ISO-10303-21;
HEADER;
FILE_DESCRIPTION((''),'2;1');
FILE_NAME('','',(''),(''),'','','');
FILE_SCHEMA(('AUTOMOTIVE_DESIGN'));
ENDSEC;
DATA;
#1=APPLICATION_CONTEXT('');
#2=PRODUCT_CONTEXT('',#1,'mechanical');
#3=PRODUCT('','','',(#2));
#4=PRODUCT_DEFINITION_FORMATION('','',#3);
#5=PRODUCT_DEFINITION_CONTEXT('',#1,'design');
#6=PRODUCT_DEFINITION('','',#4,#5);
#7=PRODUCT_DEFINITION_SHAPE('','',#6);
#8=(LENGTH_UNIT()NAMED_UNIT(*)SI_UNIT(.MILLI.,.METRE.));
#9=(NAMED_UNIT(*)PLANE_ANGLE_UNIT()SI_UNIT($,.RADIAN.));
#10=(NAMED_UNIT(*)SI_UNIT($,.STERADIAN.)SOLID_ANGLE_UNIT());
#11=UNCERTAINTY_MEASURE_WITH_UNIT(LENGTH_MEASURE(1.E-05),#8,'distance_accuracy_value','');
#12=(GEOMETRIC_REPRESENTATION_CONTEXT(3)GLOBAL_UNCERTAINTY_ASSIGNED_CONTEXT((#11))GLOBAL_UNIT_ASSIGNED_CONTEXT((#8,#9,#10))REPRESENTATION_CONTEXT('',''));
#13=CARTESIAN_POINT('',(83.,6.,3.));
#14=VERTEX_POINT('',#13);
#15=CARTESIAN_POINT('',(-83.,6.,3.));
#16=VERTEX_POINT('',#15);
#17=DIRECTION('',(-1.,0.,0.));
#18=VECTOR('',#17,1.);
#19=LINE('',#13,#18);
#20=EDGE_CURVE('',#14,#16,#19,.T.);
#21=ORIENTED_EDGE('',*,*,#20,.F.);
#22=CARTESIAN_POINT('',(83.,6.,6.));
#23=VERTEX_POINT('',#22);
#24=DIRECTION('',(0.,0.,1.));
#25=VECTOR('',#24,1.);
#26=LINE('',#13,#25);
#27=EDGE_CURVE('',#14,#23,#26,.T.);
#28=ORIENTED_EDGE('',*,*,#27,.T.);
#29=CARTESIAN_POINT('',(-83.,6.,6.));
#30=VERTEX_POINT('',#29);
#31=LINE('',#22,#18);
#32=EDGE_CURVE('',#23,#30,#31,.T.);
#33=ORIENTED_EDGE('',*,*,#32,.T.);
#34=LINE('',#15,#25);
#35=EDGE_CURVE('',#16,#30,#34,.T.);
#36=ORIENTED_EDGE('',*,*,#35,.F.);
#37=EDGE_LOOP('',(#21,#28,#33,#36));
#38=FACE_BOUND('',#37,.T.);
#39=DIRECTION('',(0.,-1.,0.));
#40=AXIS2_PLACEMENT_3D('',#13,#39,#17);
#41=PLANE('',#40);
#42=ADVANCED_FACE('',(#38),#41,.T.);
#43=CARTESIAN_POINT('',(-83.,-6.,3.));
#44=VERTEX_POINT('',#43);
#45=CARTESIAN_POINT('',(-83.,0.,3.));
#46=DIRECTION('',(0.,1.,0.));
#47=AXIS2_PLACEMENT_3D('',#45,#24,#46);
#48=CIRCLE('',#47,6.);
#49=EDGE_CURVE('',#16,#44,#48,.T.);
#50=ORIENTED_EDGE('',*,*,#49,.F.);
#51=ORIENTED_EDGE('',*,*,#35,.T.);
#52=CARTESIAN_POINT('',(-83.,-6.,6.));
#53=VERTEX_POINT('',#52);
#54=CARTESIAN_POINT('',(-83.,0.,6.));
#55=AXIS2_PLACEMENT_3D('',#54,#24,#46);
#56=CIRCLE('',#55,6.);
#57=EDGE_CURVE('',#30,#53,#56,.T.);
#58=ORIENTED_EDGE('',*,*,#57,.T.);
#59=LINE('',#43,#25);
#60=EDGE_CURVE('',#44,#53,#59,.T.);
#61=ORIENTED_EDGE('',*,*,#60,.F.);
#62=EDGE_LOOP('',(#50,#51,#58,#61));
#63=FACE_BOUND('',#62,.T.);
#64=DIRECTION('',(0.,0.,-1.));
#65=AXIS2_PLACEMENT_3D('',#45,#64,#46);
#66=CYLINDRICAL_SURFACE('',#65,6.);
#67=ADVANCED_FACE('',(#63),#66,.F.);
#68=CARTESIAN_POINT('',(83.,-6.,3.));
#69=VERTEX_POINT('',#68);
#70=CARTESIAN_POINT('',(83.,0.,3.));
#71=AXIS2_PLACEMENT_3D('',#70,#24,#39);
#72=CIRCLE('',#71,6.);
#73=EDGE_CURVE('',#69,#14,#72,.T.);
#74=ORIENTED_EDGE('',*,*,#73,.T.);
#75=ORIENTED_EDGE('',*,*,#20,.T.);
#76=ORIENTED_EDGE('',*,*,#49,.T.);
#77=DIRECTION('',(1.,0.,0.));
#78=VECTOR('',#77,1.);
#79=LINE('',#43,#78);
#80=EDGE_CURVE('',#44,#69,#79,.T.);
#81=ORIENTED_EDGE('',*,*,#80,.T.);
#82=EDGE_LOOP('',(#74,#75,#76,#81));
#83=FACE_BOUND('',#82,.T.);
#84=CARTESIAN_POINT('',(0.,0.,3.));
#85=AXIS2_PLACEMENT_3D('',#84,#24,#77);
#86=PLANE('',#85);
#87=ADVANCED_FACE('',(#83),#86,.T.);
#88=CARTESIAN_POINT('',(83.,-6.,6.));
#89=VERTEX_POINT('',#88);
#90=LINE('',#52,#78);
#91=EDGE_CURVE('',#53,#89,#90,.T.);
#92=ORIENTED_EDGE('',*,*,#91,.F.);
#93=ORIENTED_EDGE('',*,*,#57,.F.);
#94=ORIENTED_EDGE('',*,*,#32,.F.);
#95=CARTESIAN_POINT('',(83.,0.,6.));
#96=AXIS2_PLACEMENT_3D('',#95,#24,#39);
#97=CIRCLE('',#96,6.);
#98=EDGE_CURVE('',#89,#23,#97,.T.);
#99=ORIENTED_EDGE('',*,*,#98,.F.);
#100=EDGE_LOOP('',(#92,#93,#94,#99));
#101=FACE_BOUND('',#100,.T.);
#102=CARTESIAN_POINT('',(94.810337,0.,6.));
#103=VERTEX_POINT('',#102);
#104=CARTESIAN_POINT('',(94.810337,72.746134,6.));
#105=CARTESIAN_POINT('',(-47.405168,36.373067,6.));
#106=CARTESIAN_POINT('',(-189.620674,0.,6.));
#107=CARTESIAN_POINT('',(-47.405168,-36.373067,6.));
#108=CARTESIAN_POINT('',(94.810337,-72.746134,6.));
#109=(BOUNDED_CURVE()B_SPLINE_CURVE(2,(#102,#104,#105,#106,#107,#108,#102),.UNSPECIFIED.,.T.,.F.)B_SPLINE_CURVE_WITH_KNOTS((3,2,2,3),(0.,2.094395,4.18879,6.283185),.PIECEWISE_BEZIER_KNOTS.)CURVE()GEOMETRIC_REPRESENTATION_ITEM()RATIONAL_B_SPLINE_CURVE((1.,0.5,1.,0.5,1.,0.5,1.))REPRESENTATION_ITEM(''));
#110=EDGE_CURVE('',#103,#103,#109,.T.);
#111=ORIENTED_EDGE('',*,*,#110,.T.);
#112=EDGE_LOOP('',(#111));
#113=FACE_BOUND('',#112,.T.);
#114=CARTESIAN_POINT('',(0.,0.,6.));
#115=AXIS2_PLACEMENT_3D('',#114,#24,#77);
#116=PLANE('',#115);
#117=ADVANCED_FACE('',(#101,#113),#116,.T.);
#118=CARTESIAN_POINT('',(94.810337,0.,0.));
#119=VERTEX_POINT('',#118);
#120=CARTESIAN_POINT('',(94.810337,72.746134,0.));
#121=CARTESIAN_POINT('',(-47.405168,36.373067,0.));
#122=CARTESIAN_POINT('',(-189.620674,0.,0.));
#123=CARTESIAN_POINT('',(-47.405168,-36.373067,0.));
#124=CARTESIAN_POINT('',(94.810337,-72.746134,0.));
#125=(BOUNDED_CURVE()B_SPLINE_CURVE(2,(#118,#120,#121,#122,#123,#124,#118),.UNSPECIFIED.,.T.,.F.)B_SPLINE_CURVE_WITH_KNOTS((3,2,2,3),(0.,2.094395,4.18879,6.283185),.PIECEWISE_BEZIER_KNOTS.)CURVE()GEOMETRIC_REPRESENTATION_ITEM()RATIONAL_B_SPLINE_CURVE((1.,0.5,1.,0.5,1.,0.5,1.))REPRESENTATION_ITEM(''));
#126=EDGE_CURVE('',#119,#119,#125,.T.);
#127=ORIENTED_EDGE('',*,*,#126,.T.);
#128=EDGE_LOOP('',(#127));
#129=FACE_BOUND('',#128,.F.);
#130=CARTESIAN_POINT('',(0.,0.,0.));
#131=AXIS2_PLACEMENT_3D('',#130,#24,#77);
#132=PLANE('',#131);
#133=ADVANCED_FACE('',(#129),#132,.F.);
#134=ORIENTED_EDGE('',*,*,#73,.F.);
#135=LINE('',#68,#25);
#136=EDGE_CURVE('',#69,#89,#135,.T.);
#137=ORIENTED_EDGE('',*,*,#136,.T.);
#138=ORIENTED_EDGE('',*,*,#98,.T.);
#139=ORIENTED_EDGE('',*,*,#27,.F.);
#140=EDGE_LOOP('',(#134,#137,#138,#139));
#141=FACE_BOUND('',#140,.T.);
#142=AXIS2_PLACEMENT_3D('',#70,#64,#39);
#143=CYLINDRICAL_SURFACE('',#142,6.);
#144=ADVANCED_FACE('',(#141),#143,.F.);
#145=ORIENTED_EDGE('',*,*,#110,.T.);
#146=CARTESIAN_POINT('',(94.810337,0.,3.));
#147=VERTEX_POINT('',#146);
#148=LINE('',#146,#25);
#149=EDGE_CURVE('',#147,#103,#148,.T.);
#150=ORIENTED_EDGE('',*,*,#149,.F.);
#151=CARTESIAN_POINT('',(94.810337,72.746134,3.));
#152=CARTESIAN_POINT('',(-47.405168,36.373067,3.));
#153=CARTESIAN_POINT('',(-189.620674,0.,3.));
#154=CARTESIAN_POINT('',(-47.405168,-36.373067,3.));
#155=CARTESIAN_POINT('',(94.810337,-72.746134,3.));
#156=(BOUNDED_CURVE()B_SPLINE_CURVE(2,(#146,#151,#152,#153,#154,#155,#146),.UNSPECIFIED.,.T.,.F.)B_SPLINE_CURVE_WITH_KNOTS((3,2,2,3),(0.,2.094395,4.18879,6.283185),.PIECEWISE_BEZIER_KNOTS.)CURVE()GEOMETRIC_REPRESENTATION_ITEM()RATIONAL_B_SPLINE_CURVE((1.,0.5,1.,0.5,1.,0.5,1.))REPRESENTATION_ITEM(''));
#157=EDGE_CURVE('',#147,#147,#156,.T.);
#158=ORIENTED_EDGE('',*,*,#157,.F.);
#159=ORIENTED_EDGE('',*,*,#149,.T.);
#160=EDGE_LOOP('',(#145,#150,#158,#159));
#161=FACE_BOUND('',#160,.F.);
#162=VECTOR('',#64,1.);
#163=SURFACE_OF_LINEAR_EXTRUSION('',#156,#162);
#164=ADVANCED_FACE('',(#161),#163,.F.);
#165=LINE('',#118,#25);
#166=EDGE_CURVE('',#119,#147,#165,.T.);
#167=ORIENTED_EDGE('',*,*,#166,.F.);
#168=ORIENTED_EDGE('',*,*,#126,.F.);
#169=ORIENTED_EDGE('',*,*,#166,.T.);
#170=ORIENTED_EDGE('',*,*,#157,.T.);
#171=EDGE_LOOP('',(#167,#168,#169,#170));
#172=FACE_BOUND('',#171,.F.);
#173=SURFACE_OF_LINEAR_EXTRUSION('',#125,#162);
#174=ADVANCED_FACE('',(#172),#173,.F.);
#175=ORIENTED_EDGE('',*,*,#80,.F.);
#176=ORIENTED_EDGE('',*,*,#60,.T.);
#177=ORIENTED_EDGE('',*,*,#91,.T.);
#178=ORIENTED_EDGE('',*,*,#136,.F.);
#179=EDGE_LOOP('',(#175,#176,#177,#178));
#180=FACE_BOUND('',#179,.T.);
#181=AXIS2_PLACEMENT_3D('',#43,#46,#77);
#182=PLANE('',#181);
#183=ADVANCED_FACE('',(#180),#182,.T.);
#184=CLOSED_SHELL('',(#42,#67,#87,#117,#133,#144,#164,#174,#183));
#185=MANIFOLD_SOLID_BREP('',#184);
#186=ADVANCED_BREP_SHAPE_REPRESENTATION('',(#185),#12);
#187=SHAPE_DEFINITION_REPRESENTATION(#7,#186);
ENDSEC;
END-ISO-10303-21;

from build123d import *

# Parameters (mm, degrees)
PAD_DEPTH    = 3
PAD001_DEPTH = 3


with BuildPart() as part:
    # Sketch → Pad (new body)
    with BuildSketch(Plane.XY):
        with BuildLine():
            add(Edge.make_bspline(
                [(94.810337, 0), (94.810337, 72.746134), (-47.405168, 36.373067), (-189.620674, 0), (-47.405168, -36.373067), (94.810337, -72.746134), (94.810337, 0)],
                knots=[0, 0, 0, 2.094395, 2.094395, 4.18879, 4.18879, 6.283185, 6.283185, 6.283185], degree=2, weights=[1, 0.5, 1, 0.5, 1, 0.5, 1]))
        make_face()
    extrude(amount=PAD_DEPTH)

    # Sketch001 (on Face3 of Pad) → Pad001 (join)
    with BuildSketch(Plane.XY.offset(3)):
        with BuildLine():
            add(Edge.make_bspline(
                [(94.810337, 0), (94.810337, 72.746134), (-47.405168, 36.373067), (-189.620674, 0), (-47.405168, -36.373067), (94.810337, -72.746134), (94.810337, 0)],
                knots=[0, 0, 0, 2.094395, 2.094395, 4.18879, 4.18879, 6.283185, 6.283185, 6.283185], degree=2, weights=[1, 0.5, 1, 0.5, 1, 0.5, 1]))
        make_face()
        with BuildLine():
            ThreePointArc((-83, 6), (-89, 0), (-83, -6))
            Line((-83, -6), (83, -6))
            ThreePointArc((83, -6), (89, 0), (83, 6))
            Line((83, 6), (-83, 6))
        make_face(mode=Mode.SUBTRACT)
    extrude(amount=PAD001_DEPTH)


solid = part.part
